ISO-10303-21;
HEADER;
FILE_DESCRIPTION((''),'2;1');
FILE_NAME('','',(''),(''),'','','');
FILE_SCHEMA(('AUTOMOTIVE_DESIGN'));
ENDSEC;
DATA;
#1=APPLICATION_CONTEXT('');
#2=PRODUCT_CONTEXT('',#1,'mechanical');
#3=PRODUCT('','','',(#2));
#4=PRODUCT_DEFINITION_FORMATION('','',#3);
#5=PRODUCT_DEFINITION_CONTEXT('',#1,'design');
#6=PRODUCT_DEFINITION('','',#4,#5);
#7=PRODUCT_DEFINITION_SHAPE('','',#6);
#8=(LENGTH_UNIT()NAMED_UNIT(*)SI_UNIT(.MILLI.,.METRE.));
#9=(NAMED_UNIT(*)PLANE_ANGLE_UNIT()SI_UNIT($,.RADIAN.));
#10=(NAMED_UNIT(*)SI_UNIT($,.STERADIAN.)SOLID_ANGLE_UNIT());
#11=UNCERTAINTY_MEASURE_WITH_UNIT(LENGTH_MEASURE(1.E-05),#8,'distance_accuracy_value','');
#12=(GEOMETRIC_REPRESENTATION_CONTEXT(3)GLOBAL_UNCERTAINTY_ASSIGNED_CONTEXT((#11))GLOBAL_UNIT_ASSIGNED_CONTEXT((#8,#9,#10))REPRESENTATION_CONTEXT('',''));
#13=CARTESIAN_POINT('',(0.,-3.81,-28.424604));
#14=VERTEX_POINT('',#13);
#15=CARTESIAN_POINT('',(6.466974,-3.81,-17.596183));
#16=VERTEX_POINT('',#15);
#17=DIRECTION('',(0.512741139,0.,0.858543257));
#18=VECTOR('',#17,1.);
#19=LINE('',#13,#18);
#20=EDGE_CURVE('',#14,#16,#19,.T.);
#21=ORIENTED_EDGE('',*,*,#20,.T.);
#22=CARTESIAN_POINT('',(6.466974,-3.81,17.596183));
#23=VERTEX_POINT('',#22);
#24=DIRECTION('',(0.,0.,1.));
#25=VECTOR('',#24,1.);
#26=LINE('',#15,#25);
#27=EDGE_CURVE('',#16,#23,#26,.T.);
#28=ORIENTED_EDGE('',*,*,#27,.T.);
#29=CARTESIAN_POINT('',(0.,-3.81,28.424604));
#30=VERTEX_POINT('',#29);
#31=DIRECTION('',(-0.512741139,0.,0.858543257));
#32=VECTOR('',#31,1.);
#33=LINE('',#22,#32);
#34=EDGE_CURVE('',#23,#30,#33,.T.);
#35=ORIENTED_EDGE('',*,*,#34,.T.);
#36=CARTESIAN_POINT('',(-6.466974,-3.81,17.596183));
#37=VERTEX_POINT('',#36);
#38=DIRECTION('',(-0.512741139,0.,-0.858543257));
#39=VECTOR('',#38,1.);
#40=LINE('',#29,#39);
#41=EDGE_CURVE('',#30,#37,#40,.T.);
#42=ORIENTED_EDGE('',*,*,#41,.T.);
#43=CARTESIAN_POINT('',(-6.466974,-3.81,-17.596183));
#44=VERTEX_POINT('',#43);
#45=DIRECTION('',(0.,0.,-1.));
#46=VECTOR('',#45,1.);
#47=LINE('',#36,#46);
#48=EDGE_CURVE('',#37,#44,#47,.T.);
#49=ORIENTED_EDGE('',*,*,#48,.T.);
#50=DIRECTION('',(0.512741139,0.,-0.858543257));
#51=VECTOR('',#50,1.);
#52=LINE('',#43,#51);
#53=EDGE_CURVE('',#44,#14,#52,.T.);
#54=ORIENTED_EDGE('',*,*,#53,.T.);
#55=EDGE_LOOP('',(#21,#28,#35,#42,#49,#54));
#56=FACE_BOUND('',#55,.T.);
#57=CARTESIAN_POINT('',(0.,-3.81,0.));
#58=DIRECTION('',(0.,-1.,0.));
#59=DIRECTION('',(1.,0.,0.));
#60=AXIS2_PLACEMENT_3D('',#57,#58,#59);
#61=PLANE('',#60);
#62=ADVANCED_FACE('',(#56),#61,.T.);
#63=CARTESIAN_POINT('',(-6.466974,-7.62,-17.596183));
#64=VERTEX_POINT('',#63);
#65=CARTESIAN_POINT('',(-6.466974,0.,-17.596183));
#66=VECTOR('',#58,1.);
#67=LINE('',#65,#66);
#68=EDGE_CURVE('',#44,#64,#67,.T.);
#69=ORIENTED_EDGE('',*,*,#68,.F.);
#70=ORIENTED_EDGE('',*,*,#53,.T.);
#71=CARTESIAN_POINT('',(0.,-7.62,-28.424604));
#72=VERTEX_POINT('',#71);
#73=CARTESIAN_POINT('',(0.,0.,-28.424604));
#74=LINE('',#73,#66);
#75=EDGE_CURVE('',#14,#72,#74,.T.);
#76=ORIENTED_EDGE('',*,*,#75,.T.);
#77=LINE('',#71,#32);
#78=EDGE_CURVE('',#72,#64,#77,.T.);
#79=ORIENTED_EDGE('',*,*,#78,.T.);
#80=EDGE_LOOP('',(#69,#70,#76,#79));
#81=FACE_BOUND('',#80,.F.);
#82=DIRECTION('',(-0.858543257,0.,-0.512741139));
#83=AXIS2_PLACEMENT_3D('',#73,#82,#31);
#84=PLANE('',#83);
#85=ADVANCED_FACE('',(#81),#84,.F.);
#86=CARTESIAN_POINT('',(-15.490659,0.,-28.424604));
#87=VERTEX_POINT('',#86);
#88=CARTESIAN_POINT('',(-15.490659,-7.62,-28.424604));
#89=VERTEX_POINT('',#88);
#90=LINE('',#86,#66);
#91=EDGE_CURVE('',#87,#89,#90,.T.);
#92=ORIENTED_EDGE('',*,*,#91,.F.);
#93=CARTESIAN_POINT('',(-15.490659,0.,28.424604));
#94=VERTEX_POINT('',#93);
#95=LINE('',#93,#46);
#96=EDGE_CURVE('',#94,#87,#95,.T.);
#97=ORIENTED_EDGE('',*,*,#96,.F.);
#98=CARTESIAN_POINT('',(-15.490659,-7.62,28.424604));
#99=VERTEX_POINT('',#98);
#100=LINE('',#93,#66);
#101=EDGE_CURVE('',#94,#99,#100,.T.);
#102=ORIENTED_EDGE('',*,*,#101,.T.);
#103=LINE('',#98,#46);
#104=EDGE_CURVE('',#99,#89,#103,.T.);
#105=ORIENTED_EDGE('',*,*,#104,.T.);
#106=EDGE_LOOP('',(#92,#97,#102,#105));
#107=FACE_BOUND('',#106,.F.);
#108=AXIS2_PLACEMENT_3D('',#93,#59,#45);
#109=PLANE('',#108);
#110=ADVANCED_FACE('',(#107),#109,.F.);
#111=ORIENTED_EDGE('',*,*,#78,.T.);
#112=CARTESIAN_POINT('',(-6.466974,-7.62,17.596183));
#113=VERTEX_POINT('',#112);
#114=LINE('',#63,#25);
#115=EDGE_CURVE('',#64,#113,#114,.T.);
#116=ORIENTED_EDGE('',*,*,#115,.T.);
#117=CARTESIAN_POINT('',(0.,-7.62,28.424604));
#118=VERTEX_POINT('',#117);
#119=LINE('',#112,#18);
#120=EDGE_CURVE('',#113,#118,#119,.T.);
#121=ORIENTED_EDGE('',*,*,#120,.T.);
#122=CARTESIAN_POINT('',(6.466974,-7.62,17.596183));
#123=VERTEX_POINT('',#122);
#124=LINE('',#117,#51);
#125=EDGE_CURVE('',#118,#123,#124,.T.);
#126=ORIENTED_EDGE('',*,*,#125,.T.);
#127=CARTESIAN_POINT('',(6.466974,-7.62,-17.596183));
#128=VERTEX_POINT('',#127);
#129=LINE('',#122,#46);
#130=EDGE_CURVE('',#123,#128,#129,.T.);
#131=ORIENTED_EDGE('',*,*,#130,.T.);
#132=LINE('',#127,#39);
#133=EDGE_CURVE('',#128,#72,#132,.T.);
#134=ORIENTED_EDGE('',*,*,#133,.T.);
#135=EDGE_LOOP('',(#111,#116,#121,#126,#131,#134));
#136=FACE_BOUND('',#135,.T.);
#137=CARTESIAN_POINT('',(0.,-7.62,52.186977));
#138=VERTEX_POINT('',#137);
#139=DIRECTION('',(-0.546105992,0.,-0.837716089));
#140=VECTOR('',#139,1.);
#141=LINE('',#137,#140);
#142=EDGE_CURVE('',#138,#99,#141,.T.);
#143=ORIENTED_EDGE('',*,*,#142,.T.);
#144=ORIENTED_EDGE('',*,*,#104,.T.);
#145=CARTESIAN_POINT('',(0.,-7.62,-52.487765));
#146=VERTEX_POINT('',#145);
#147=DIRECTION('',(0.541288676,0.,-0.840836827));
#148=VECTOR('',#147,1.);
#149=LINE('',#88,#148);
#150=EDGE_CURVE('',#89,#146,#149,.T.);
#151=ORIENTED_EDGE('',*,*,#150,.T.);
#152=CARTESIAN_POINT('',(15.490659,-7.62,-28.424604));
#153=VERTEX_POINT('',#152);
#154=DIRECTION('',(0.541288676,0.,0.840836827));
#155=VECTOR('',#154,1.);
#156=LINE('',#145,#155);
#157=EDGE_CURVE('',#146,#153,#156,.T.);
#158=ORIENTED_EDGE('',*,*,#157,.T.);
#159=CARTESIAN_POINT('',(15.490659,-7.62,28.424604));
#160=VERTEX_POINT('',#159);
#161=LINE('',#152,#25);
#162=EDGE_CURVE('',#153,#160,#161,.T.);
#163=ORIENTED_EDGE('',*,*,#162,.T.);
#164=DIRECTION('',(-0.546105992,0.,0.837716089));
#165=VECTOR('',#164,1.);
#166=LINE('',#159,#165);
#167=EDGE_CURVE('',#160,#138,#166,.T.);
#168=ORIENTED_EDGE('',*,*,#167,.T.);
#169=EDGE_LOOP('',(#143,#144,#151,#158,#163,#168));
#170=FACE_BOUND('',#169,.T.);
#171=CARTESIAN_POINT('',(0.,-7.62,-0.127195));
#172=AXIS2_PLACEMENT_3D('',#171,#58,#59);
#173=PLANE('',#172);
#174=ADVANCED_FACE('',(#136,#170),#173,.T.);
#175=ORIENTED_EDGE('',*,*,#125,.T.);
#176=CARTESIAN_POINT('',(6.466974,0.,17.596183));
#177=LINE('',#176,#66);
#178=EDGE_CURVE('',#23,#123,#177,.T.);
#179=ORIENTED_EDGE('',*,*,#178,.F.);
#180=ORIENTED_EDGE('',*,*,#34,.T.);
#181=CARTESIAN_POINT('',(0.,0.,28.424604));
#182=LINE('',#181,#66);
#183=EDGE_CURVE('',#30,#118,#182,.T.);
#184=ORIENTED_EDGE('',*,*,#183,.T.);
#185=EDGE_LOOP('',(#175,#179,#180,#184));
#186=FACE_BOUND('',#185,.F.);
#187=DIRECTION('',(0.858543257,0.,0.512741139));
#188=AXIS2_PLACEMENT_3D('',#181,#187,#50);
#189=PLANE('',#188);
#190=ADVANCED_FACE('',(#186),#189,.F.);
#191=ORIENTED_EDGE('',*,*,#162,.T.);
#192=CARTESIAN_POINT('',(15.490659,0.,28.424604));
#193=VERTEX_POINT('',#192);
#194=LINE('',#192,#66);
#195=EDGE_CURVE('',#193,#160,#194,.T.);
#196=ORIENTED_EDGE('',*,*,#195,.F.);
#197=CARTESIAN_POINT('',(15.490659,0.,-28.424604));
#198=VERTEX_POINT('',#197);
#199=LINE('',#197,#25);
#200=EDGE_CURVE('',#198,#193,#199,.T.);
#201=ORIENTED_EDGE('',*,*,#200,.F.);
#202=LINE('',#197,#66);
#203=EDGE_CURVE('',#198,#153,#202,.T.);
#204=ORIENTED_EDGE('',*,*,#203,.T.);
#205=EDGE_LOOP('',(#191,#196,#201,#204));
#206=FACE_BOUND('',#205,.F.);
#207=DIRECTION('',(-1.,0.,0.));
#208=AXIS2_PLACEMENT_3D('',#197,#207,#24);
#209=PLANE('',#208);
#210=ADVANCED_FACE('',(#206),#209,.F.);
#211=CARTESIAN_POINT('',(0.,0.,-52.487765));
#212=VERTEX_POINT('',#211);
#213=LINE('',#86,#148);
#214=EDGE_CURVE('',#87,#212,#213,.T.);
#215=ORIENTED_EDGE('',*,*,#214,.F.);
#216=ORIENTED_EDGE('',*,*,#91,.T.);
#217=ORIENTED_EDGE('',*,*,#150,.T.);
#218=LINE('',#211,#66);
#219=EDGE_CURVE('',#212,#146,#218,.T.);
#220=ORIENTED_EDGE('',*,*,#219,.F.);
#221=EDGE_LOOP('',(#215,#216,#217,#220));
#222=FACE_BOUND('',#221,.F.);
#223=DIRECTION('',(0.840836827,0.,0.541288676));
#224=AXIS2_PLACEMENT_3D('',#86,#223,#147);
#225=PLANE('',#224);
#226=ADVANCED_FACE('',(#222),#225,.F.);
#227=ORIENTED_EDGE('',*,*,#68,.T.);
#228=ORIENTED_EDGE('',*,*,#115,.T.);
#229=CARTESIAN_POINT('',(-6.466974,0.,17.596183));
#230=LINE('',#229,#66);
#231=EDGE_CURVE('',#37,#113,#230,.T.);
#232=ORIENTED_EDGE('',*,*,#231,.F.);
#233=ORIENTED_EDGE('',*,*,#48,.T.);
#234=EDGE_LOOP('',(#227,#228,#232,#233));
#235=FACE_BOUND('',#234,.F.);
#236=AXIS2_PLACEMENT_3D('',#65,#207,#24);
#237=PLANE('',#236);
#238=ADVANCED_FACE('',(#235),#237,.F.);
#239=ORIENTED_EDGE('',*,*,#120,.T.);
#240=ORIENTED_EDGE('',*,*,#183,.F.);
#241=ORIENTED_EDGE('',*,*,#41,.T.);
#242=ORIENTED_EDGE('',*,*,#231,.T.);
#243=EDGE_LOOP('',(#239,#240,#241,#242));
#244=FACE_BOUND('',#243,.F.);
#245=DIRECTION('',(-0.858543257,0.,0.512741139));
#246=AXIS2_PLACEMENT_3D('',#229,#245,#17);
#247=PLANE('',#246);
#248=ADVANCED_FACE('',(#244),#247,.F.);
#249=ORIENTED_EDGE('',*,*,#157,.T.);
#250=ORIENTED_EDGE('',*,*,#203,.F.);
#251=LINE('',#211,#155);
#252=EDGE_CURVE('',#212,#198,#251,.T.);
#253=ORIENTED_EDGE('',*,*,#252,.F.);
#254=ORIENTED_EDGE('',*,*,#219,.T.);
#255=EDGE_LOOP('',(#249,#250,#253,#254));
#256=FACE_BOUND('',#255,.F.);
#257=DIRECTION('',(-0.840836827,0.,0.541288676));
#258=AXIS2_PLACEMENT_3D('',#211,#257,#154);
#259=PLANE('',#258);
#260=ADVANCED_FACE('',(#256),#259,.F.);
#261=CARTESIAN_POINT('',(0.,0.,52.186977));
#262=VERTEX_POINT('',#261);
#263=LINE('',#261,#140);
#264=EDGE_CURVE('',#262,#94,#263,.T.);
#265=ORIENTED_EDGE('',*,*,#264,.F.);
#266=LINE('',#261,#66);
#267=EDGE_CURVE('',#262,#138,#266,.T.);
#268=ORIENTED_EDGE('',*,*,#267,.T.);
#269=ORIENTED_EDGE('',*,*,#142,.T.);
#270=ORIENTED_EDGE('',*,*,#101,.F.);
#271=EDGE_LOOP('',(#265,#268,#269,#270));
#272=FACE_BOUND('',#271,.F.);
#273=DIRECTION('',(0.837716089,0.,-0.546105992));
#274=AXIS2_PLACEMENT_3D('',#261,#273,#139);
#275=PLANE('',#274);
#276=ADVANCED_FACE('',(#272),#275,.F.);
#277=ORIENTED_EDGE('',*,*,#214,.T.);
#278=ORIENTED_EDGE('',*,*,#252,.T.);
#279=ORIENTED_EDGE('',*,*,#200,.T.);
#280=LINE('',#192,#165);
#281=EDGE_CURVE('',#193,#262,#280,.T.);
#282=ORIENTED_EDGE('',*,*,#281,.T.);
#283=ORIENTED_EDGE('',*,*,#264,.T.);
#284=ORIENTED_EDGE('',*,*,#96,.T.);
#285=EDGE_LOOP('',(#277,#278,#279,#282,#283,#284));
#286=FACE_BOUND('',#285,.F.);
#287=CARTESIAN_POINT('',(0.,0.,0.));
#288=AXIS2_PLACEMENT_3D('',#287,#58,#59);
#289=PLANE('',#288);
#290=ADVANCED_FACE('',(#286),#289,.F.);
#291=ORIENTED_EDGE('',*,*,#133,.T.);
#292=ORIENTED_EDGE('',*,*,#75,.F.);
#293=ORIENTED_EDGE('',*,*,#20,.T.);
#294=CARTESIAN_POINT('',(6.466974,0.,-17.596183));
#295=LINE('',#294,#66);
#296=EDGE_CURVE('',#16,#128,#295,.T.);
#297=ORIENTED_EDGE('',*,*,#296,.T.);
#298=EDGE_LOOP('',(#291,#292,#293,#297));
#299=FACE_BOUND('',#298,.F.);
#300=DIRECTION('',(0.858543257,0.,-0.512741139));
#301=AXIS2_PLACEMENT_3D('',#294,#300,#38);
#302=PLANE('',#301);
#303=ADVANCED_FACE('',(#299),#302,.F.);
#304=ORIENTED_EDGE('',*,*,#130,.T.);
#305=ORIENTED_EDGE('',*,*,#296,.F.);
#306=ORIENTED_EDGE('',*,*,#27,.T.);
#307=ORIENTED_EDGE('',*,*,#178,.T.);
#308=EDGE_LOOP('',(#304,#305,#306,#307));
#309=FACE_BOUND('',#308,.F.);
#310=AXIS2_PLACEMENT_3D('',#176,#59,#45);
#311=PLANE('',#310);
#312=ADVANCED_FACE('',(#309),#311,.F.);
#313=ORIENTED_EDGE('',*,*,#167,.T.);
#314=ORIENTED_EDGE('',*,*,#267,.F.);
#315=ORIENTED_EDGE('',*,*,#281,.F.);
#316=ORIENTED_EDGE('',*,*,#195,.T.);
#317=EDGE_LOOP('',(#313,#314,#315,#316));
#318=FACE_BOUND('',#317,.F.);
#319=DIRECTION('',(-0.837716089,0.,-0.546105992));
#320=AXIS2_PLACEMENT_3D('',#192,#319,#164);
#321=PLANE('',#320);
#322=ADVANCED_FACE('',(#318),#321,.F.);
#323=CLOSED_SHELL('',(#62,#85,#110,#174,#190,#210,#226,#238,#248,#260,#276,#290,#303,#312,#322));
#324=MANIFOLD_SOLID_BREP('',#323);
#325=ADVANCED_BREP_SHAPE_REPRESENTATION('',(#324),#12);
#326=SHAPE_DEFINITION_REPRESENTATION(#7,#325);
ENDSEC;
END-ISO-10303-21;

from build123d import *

# Parameters (mm, degrees)
F1_DEPTH = 7.62
F2_DEPTH = 3.81


with BuildPart() as f1:
    # F0 (on Front) → F1 (new body)
    with BuildSketch(Plane.XZ):
        Polygon((0, 52.186977), (-15.490659, 28.424604), (-15.490659, -28.424604), (0, -52.487765), (15.490659, -28.424604), (15.490659, 28.424604), align=None)
        Polygon((-6.466974, -17.596183), (-6.466974, 17.596183), (0, 28.424604), (6.466974, 17.596183), (6.466974, -17.596183), (0, -28.424604), align=None, mode=Mode.SUBTRACT)
    extrude(amount=F1_DEPTH)

    # F0 (on Front) → F2 (join)
    with BuildSketch(Plane.XZ):
        Polygon((0, 28.424604), (-6.466974, 17.596183), (-6.466974, -17.596183), (0, -28.424604), (6.466974, -17.596183), (6.466974, 17.596183), align=None)
    extrude(amount=F2_DEPTH)


solid = f1.part
